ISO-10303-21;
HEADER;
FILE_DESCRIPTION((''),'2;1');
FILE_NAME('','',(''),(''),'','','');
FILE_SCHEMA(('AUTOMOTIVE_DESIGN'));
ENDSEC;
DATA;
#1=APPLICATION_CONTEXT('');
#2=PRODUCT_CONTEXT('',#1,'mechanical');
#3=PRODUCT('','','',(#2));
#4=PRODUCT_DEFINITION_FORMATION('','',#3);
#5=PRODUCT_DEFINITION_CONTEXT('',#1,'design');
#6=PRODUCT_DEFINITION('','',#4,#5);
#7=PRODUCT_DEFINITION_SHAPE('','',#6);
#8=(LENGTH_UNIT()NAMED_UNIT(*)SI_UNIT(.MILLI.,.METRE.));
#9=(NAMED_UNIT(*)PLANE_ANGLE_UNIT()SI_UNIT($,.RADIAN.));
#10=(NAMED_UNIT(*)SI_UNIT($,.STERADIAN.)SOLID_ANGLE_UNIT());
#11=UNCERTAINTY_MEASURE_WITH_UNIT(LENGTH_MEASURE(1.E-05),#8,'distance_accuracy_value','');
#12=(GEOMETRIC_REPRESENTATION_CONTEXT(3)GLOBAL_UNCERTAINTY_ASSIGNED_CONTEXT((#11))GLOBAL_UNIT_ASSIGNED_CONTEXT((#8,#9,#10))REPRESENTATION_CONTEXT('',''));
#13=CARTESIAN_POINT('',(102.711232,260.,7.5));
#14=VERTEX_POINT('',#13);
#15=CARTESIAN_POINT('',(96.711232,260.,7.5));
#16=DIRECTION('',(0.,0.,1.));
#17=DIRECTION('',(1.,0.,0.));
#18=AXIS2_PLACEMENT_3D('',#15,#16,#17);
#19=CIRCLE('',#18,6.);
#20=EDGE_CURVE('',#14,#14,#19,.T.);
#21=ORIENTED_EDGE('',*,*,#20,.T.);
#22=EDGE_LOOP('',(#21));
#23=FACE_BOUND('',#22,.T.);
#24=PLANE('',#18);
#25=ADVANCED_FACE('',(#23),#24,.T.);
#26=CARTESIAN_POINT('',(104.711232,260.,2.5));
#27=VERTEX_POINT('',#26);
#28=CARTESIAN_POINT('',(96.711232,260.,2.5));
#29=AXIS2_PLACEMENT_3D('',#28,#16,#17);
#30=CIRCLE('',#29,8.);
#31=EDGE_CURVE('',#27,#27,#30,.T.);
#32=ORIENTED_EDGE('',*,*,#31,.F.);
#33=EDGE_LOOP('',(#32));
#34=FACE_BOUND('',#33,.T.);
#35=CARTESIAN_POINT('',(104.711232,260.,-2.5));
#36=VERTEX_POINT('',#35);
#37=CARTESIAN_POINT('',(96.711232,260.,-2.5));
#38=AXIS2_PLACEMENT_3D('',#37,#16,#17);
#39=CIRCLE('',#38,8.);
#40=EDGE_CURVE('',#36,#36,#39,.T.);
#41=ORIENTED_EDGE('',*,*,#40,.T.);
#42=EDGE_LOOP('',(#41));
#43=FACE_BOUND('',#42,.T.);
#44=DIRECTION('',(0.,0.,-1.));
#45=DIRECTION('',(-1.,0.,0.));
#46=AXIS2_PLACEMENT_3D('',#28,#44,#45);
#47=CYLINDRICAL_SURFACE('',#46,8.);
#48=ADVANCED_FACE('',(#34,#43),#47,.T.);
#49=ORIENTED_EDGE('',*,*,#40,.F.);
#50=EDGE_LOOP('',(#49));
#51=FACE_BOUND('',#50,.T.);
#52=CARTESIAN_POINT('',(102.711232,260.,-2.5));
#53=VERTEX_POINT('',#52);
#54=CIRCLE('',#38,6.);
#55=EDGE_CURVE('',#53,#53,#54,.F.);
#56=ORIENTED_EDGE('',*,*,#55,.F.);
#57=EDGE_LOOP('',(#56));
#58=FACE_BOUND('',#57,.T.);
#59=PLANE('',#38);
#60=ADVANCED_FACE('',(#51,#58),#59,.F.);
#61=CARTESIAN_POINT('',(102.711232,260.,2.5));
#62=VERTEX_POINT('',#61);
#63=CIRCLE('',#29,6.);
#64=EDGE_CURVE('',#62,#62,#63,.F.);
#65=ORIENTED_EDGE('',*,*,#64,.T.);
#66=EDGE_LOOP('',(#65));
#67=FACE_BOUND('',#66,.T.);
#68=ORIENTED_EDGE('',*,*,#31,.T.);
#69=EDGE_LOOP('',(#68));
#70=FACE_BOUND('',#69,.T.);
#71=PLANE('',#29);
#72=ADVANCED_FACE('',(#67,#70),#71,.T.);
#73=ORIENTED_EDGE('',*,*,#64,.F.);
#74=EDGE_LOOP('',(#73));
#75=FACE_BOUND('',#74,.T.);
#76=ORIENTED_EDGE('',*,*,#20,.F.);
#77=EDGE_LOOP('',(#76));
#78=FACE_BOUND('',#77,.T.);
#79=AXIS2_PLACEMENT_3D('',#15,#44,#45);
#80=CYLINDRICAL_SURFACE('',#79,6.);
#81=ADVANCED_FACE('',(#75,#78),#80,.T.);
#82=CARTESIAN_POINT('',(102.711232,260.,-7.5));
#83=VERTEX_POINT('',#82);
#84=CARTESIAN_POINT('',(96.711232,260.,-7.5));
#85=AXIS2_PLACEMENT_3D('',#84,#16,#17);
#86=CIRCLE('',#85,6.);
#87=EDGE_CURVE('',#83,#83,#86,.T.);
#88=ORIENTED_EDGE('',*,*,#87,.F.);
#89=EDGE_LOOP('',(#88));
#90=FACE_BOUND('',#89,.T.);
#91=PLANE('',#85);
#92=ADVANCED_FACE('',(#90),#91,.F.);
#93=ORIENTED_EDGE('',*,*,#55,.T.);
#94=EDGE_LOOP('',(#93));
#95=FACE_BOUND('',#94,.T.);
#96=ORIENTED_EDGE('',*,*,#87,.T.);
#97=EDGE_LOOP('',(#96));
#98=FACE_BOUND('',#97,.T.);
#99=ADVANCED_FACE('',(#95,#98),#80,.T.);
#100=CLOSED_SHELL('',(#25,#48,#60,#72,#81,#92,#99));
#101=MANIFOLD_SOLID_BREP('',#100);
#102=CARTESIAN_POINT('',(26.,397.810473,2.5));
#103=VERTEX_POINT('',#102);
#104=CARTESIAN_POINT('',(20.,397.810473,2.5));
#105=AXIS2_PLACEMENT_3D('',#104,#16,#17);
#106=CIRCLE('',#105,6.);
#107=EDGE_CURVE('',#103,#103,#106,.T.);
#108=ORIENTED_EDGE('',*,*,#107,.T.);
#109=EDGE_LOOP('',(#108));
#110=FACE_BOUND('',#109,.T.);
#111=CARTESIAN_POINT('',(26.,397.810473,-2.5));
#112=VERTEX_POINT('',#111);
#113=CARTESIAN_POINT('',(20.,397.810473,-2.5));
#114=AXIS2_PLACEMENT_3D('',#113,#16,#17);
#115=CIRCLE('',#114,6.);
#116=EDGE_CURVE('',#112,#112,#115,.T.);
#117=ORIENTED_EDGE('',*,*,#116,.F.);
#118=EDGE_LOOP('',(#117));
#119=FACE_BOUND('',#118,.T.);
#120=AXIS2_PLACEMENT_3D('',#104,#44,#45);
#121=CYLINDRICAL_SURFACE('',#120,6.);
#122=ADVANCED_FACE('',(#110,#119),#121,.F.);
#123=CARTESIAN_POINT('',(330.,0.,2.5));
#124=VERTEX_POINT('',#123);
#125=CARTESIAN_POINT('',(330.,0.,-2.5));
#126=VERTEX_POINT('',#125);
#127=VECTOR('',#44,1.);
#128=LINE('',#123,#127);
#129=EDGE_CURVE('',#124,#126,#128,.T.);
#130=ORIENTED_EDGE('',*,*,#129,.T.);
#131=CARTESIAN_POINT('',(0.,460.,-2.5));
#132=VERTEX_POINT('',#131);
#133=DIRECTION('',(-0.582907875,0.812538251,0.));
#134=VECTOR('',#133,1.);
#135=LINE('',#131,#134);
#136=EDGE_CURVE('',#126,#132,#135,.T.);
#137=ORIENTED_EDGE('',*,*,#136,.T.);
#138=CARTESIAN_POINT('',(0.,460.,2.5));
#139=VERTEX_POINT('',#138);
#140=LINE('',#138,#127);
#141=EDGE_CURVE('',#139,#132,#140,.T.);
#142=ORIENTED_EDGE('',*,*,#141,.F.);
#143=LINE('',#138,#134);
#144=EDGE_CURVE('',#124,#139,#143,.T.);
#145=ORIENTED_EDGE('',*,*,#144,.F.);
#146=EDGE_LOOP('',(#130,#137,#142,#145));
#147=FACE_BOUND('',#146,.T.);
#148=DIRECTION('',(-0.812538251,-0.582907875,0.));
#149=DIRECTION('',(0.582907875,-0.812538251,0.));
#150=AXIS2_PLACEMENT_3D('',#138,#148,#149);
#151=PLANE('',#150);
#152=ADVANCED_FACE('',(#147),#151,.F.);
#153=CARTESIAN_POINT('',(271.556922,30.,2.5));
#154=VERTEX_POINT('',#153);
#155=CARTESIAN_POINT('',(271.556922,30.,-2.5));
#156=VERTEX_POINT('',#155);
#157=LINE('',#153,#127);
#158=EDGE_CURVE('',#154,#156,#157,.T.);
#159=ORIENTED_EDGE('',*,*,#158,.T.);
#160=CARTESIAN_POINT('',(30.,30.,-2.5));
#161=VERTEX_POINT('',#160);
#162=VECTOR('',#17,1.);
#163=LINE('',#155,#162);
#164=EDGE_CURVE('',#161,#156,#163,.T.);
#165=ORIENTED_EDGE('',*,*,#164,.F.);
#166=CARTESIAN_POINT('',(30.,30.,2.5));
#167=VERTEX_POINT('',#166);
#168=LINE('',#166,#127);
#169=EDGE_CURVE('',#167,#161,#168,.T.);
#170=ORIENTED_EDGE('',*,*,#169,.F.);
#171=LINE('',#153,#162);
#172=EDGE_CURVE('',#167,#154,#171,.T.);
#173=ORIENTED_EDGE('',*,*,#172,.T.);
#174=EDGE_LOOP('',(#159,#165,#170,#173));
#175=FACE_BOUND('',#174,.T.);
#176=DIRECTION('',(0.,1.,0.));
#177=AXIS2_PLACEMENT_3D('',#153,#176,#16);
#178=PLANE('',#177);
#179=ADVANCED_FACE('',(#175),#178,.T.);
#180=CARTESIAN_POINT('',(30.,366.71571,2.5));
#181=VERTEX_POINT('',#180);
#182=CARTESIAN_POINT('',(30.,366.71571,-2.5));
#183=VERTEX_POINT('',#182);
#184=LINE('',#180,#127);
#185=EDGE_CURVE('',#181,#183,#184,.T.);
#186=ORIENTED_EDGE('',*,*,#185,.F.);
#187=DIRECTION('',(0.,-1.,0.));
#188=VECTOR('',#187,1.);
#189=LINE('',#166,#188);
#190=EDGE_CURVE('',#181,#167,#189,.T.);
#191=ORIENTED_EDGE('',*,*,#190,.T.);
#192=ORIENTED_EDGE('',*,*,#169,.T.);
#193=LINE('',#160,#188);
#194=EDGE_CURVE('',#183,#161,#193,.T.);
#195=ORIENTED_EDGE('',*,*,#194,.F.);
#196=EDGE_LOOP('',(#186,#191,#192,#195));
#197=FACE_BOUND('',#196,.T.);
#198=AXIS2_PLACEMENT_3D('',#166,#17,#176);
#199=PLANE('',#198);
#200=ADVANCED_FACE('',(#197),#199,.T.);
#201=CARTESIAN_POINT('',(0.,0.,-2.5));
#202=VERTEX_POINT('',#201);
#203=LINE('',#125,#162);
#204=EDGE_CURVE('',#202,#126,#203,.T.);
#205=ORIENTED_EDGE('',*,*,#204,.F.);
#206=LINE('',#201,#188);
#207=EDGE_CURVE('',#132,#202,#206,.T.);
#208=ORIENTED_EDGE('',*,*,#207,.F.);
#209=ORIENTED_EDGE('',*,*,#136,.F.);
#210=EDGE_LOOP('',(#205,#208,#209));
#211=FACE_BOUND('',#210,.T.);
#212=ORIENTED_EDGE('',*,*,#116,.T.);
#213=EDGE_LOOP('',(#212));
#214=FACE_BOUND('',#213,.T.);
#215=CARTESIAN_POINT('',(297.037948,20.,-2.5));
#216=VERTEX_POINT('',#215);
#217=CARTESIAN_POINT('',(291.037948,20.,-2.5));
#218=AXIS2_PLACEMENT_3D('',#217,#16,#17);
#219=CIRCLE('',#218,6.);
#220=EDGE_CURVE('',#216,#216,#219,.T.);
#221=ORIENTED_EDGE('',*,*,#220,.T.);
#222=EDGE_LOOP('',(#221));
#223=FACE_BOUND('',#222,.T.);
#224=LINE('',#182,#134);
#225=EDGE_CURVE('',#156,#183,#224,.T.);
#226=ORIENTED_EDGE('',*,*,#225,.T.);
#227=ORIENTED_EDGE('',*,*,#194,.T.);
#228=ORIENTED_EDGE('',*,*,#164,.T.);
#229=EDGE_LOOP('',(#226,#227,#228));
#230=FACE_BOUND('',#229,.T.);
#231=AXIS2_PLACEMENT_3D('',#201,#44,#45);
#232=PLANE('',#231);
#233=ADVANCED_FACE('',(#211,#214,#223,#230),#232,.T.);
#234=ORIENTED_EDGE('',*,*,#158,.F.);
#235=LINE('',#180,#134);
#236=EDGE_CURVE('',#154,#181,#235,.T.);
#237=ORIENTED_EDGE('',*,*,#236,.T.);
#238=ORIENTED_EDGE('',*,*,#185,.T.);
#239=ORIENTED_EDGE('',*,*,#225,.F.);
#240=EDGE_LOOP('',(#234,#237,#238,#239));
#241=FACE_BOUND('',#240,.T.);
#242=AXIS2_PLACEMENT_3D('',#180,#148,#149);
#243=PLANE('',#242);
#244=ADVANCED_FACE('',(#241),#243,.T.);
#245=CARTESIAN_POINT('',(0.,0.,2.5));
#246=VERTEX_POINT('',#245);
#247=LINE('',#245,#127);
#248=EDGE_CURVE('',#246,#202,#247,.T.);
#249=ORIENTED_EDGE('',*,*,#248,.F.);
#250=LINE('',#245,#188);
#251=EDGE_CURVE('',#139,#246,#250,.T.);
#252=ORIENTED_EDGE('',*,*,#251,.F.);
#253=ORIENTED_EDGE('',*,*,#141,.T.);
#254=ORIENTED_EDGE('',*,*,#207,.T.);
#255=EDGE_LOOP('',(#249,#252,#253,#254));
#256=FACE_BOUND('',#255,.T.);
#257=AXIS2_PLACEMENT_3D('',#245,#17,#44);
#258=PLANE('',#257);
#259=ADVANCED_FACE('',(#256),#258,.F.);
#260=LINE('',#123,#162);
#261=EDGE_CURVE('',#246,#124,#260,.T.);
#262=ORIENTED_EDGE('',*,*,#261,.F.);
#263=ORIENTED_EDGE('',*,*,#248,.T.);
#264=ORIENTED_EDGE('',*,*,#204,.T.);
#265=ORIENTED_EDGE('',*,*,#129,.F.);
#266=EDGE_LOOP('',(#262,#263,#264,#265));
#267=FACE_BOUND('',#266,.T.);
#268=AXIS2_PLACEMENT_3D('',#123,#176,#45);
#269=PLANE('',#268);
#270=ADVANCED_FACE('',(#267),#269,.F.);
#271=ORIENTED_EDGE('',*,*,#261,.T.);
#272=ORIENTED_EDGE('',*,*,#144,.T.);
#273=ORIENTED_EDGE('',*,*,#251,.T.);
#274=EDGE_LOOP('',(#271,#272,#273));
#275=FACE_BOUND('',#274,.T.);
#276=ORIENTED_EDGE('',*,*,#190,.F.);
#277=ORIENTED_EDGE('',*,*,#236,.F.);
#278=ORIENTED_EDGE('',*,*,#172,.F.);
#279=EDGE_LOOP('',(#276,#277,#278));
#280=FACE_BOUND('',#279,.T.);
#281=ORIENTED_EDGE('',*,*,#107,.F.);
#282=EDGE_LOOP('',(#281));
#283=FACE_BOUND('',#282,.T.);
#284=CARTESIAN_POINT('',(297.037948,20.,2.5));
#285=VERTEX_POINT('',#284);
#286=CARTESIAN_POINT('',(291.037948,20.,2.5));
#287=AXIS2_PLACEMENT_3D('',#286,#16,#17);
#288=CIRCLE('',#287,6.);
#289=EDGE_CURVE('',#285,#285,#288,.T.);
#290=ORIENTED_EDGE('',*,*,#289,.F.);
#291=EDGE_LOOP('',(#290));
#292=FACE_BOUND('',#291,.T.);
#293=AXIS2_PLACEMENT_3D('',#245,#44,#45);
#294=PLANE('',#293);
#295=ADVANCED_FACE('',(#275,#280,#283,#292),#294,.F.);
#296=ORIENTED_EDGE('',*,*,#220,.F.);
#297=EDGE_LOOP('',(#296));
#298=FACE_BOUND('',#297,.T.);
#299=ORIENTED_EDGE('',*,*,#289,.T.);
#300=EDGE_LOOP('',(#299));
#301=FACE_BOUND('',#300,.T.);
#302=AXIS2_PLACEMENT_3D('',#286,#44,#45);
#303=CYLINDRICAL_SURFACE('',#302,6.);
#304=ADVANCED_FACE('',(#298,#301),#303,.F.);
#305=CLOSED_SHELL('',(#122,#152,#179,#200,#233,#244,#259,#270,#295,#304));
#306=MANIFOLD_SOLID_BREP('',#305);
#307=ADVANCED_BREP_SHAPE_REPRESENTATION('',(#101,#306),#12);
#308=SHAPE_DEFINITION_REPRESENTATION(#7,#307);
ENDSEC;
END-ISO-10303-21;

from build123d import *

# Parameters (mm, degrees)
SKETCH_1_R      = 6
EXTRUDE_1_DEPTH = 2.5
SKETCH_2_R      = 8
EXTRUDE_2_DEPTH = 2.5
SKETCH_3_R      = 6
EXTRUDE_3_DEPTH = 7.5


with BuildPart() as part:
    # 草图1 → 凸台-拉伸1 (new, symmetric)
    with BuildSketch(Plane.XY):
        Polygon((0, 0), (0, 460), (330, 0), align=None)
        with Locations((20, 397.810473079)):
            Circle(SKETCH_1_R, mode=Mode.SUBTRACT)
        with Locations((291.037948079, 20)):
            Circle(SKETCH_1_R, mode=Mode.SUBTRACT)
        Polygon((30, 30), (30, 366.715709619), (271.556922118, 30), align=None, mode=Mode.SUBTRACT)
    extrude(amount=EXTRUDE_1_DEPTH, both=True)


with BuildPart() as body_2:
    # 草图2 → 凸台-拉伸2 (new, symmetric)
    with BuildSketch(Plane.XY):
        with Locations((96.711231784, 260)):
            Circle(SKETCH_2_R)
    extrude(amount=EXTRUDE_2_DEPTH, both=True)

    # 草图3 → 凸台-拉伸3 (add, symmetric)
    with BuildSketch(Plane.XY):
        with Locations((96.711231784, 260)):
            Circle(SKETCH_3_R)
    extrude(amount=EXTRUDE_3_DEPTH, both=True)


solid = Compound([part.part, body_2.part])
